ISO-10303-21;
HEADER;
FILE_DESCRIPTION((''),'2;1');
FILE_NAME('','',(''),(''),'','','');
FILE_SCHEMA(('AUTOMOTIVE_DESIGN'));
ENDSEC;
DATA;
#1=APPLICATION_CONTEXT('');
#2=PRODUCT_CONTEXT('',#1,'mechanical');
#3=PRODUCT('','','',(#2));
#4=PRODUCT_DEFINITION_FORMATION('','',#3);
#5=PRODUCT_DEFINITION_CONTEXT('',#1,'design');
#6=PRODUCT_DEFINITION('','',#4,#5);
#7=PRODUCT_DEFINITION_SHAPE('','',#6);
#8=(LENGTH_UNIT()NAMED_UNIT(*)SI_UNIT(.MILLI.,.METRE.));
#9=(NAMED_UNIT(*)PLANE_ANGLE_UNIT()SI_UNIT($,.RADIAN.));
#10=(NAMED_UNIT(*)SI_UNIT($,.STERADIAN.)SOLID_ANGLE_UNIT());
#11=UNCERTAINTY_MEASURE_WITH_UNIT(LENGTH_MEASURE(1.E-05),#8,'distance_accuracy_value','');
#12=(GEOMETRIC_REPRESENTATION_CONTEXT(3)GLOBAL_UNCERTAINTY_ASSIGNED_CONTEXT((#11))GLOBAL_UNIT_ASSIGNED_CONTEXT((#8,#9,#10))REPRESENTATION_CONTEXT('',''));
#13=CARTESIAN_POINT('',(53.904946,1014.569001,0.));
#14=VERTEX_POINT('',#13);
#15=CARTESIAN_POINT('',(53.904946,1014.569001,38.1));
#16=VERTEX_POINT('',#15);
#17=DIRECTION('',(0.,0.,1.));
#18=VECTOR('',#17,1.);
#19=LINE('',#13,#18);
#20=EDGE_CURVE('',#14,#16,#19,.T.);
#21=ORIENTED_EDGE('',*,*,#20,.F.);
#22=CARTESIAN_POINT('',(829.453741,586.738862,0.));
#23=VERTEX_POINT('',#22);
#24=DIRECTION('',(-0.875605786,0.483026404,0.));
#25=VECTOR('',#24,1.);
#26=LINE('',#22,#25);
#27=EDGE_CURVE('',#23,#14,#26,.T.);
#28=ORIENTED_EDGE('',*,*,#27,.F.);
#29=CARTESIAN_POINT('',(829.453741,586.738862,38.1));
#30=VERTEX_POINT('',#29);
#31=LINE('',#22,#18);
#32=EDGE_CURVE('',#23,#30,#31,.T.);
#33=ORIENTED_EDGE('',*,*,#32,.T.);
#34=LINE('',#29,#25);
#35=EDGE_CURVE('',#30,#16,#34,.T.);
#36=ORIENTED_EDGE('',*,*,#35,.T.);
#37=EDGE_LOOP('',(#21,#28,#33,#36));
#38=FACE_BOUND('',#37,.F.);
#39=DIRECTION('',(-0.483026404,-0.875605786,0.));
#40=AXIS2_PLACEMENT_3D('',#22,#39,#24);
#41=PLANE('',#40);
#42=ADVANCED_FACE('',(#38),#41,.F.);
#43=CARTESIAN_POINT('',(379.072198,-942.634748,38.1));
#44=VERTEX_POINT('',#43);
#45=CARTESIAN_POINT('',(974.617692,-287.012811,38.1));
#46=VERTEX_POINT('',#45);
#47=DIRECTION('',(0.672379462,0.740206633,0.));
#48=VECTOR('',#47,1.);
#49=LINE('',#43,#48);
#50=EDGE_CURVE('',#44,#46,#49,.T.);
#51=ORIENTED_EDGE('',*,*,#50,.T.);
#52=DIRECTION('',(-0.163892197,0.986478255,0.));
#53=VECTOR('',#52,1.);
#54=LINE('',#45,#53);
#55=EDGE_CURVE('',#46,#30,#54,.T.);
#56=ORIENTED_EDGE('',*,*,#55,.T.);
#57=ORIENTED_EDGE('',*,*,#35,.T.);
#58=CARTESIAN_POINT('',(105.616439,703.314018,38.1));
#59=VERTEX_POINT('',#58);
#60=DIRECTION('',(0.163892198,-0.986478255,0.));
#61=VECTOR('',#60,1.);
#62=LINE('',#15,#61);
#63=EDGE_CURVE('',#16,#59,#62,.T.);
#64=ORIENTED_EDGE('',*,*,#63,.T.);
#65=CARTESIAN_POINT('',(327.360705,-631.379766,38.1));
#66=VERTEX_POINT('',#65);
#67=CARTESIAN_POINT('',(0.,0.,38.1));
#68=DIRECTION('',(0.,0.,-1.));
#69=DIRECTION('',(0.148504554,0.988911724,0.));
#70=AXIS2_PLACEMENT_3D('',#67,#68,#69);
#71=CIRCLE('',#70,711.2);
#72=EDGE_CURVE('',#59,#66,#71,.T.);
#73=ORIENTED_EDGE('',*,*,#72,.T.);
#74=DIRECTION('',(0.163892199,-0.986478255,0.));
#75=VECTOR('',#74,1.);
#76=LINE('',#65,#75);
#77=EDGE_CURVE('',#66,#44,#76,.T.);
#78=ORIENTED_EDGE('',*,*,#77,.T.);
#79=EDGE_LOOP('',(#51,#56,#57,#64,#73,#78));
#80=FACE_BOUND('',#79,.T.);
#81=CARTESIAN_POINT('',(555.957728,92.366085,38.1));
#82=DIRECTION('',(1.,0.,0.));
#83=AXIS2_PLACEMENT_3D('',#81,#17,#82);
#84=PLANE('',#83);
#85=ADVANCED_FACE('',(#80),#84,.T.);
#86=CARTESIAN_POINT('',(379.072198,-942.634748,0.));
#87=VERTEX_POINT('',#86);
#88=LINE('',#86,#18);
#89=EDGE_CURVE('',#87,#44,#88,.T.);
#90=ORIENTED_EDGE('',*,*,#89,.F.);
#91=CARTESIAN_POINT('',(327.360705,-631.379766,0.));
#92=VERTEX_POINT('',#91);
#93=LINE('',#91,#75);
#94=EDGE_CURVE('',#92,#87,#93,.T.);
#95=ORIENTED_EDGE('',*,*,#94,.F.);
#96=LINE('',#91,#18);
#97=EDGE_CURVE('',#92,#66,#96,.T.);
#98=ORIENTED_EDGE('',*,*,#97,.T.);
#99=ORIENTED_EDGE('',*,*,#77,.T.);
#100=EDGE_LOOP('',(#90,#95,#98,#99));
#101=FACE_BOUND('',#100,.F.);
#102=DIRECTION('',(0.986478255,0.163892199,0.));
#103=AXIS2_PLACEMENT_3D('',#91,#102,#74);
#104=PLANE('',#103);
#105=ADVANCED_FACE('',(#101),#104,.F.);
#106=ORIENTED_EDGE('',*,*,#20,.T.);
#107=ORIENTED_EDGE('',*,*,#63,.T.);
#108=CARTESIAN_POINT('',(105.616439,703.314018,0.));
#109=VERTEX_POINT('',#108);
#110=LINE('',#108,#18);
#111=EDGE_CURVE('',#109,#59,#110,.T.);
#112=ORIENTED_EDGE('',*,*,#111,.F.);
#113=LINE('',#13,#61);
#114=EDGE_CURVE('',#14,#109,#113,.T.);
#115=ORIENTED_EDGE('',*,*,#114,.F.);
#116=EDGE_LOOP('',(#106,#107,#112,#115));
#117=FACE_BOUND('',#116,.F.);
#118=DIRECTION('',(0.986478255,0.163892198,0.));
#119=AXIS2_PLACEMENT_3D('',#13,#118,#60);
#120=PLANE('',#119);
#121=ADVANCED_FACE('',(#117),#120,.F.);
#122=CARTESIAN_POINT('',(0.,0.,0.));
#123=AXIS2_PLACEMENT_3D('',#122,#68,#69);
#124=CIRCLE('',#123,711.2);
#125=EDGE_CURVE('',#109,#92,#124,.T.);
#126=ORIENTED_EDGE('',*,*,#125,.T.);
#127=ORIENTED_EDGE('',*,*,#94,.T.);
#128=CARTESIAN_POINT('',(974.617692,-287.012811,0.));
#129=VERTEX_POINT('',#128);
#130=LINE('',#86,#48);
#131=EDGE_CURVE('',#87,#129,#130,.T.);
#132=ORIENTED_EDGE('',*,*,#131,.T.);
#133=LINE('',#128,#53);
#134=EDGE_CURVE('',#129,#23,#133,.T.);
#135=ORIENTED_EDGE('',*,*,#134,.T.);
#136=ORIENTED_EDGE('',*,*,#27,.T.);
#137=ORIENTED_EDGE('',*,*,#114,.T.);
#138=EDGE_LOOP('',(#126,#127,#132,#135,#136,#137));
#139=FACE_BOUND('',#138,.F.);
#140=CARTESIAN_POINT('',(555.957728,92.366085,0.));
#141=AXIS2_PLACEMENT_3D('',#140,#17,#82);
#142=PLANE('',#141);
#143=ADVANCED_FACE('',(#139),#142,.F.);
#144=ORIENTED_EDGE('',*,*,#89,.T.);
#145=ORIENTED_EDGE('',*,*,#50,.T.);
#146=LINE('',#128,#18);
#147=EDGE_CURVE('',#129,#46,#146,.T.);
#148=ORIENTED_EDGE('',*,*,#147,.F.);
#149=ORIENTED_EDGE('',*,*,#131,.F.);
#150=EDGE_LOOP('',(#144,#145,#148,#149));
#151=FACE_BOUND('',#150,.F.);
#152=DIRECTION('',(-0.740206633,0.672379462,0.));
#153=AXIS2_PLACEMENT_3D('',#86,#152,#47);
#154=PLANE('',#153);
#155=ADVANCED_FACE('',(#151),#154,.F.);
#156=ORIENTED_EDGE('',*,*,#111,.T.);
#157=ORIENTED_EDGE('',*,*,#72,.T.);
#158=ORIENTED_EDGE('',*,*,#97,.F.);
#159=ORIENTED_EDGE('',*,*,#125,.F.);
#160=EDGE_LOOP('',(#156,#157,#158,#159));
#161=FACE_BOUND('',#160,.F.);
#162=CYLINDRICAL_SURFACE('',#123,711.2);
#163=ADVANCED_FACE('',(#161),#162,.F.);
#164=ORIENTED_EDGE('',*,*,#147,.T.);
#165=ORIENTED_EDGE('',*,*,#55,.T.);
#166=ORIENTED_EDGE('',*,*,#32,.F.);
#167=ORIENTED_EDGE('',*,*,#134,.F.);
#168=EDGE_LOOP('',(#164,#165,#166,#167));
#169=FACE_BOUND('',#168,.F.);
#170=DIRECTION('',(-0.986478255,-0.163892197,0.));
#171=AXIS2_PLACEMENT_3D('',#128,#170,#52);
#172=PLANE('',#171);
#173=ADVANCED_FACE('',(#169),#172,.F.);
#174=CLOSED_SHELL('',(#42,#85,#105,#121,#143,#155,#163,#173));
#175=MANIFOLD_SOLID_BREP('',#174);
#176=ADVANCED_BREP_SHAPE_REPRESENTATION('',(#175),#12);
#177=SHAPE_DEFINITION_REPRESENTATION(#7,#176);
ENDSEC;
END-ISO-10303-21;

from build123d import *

# Parameters (mm, degrees)
F1_DEPTH = 38.1


with BuildPart() as f1:
    # F0 (on Top) → F1 (new body)
    with BuildSketch(Plane.XY):
        with BuildLine():
            ThreePointArc((105.616439, 703.314018), (701.583335, 116.560131), (327.360705, -631.379766))
            Line((327.360705, -631.379766), (379.072198, -942.634748))
            Line((379.072198, -942.634748), (974.617692, -287.012811))
            Line((974.617692, -287.012811), (829.453741, 586.738862))
            Line((829.453741, 586.738862), (53.904946, 1014.569001))
            Line((53.904946, 1014.569001), (105.616439, 703.314018))
        make_face()
    extrude(amount=F1_DEPTH)


solid = f1.part
